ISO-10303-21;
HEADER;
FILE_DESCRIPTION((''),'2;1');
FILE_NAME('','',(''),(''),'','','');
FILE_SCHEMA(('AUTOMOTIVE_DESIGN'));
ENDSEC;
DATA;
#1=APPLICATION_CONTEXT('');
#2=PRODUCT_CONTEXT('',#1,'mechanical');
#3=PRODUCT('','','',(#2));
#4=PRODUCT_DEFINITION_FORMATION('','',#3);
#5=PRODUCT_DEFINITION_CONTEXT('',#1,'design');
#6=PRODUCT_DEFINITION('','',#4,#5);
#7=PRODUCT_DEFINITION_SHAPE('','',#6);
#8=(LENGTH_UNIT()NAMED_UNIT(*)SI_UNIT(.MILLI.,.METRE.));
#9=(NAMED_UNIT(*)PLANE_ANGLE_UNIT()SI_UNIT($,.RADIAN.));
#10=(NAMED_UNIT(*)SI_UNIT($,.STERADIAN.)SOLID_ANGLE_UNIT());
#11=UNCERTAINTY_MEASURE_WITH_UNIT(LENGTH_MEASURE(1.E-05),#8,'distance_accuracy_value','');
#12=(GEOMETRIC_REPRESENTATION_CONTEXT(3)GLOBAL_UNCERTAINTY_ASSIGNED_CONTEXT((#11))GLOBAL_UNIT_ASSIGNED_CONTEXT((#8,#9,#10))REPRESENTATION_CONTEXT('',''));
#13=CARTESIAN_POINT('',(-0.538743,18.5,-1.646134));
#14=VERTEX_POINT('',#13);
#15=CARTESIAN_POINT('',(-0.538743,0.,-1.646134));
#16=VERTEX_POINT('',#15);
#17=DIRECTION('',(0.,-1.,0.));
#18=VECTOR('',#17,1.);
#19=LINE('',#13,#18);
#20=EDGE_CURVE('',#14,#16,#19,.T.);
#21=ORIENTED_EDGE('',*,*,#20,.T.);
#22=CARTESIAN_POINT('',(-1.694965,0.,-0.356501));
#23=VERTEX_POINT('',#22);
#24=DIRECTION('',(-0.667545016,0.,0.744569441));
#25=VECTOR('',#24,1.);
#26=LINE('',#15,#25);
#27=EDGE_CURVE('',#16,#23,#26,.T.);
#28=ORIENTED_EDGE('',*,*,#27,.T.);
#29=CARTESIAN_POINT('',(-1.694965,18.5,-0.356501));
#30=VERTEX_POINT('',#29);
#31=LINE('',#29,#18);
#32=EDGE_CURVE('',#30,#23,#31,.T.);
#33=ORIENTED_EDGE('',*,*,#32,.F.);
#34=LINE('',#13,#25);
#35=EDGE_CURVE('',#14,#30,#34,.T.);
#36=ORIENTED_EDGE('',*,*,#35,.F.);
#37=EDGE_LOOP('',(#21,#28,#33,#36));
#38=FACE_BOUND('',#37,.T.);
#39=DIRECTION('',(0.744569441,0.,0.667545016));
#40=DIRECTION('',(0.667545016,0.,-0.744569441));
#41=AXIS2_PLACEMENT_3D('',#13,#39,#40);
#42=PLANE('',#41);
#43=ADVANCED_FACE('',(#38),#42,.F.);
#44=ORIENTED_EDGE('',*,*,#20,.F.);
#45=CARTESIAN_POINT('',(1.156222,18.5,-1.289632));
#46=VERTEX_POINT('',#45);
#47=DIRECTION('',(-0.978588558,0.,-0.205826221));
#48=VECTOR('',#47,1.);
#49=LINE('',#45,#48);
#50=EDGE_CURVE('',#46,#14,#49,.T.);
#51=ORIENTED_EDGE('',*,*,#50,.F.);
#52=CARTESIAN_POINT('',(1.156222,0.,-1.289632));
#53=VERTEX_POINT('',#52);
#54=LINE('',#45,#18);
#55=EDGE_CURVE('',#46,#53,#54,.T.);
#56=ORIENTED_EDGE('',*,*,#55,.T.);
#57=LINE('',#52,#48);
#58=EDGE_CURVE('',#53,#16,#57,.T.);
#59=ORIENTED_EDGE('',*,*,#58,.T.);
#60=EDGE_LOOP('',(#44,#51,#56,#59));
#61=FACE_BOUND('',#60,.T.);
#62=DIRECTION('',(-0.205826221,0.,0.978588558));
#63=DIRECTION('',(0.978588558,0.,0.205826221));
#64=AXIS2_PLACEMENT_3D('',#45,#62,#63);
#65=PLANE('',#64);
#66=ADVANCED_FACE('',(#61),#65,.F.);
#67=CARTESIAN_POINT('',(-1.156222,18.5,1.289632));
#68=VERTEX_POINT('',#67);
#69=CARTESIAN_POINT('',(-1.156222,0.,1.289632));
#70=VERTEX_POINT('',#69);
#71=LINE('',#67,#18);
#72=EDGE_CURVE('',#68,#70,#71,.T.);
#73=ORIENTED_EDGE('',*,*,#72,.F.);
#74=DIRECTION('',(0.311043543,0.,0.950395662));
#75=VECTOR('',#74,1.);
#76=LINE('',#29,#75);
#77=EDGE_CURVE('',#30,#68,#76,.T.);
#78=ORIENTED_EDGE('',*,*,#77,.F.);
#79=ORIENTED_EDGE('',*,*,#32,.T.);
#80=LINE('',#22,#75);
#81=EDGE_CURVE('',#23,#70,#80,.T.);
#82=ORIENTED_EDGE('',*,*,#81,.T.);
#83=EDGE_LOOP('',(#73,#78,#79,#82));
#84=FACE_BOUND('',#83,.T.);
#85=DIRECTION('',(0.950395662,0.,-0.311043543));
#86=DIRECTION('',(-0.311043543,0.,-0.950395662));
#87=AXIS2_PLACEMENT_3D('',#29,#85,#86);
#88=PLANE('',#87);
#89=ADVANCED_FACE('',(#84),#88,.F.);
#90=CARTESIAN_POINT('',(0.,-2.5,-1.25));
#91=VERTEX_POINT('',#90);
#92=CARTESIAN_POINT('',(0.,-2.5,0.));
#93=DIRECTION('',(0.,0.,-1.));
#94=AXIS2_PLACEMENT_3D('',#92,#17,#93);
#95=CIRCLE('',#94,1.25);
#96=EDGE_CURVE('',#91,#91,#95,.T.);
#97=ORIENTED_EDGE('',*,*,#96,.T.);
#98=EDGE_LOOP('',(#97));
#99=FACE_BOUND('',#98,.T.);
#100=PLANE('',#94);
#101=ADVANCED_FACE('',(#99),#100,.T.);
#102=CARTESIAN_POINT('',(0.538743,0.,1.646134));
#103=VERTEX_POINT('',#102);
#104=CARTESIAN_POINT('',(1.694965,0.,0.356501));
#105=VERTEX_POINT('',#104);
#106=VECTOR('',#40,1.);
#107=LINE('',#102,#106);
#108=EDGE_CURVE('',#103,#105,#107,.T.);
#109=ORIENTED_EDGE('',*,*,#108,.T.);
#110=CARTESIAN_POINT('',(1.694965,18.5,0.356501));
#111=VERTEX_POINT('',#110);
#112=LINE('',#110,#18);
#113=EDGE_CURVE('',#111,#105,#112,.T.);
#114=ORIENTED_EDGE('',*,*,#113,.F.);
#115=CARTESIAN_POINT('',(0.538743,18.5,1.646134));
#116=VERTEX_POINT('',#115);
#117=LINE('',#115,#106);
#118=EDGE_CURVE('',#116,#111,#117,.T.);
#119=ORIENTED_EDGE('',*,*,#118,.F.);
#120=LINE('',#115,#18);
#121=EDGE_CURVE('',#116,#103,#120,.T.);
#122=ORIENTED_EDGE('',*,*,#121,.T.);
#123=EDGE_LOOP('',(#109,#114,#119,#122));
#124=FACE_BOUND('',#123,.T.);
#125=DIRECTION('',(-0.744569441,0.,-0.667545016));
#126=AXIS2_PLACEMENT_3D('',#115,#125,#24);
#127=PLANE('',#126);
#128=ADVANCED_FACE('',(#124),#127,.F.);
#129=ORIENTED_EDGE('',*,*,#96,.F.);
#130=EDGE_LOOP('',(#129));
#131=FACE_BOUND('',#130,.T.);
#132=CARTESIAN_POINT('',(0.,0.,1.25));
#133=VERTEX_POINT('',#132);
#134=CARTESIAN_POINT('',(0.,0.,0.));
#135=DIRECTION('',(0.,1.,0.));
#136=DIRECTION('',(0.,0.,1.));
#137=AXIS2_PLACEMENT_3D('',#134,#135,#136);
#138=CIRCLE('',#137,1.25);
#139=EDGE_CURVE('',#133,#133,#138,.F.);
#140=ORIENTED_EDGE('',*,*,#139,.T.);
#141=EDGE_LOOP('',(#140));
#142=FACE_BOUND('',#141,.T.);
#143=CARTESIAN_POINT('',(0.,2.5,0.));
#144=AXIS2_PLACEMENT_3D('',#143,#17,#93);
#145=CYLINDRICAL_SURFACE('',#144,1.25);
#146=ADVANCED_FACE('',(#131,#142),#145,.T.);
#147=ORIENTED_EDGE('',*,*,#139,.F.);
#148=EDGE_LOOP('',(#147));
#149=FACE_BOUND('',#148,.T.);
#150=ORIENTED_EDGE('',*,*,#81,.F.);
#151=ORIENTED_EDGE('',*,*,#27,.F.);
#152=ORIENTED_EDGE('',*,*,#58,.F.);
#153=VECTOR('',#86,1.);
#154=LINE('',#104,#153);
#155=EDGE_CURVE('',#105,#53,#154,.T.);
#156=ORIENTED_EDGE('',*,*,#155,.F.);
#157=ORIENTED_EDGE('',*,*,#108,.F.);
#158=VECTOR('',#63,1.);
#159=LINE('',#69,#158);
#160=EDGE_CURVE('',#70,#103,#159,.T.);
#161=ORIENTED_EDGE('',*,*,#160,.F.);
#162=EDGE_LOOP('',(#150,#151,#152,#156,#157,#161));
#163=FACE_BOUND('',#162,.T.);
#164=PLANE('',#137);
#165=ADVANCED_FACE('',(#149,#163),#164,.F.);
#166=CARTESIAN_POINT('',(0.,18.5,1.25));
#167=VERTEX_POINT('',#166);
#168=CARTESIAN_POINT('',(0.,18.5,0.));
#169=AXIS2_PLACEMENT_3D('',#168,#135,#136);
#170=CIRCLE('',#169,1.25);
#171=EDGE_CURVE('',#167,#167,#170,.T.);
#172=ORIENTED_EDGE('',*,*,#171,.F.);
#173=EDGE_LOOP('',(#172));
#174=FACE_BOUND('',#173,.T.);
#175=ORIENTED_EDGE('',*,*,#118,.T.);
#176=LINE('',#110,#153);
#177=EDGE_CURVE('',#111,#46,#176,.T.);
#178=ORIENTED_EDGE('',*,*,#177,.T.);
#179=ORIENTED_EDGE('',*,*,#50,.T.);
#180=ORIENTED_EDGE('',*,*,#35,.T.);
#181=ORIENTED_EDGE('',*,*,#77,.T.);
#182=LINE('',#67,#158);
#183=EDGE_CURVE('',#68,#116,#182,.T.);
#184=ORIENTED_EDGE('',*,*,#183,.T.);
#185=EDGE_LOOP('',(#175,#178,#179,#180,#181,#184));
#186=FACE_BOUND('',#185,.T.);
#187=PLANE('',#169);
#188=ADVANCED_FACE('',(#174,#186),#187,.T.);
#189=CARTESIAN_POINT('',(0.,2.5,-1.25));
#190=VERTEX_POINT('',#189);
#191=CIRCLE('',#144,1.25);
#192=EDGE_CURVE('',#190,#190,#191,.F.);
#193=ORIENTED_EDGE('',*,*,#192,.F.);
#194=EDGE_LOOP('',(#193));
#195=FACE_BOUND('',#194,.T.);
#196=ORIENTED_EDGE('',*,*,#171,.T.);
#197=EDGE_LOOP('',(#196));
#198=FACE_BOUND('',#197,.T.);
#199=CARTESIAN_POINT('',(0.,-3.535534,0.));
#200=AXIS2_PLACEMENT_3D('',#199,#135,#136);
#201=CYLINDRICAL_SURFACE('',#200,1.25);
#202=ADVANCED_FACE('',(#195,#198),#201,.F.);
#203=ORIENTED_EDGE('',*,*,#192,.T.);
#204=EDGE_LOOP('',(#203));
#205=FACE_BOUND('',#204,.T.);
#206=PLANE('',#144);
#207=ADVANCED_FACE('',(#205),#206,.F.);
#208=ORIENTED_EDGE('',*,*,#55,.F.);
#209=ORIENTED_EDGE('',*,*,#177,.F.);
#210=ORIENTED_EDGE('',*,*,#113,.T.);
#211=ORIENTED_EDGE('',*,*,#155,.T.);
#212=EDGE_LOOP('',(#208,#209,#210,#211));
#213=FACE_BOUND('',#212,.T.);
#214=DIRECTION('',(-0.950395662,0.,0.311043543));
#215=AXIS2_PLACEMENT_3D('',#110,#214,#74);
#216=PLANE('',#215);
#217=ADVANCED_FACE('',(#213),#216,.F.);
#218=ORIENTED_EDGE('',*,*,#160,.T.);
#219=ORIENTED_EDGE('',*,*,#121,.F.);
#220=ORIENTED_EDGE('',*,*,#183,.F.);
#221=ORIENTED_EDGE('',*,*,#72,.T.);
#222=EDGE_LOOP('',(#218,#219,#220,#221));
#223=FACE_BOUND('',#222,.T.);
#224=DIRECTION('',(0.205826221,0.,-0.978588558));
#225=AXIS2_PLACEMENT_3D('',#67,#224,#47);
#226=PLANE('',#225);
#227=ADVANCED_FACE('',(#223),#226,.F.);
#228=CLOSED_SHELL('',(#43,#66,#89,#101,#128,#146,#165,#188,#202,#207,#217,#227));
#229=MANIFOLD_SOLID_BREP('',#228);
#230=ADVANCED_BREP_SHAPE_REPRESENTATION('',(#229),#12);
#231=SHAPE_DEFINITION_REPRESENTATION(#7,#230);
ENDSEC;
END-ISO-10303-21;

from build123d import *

# Parameters (mm, degrees)
BOSS_EXTRUDE1_DEPTH      = 18.5
SKETCH2_R                = 1.25
CUT_EXTRUDE1_DEPTH       = 18.5
SKETCH3_R                = 1.25
BOSS_EXTRUDE2_DEPTH      = 2.5
BOSS_EXTRUDE2_DEPTH_BACK = 2.5


with BuildPart() as part:
    # Sketch1 → Boss-Extrude1 (new body)
    with BuildSketch(Plane(origin=(0, 0, 0), x_dir=(1, 0, 0), z_dir=(0, 1, 0))):
        Polygon((1.156221884, 1.289632101), (-0.538743219, 1.646133574), (-1.694965103, 0.356501473), (-1.156221884, -1.289632101), (0.538743219, -1.646133574), (1.694965103, -0.356501473), align=None)
    extrude(amount=BOSS_EXTRUDE1_DEPTH)

    # Sketch2 → Cut-Extrude1 (cut)
    with BuildSketch(Plane(origin=(0, 18.5, 0), x_dir=(1, 0, 0), z_dir=(0, 1, 0))):
        Circle(SKETCH2_R)
    extrude(amount=-CUT_EXTRUDE1_DEPTH, mode=Mode.SUBTRACT)

    # Sketch3 → Boss-Extrude2 (add, two sides)
    with BuildSketch(Plane.XZ) as boss_extrude2_sk:
        Circle(SKETCH3_R)
    extrude(amount=BOSS_EXTRUDE2_DEPTH)
    extrude(boss_extrude2_sk.sketch, amount=-BOSS_EXTRUDE2_DEPTH_BACK)


solid = part.part
